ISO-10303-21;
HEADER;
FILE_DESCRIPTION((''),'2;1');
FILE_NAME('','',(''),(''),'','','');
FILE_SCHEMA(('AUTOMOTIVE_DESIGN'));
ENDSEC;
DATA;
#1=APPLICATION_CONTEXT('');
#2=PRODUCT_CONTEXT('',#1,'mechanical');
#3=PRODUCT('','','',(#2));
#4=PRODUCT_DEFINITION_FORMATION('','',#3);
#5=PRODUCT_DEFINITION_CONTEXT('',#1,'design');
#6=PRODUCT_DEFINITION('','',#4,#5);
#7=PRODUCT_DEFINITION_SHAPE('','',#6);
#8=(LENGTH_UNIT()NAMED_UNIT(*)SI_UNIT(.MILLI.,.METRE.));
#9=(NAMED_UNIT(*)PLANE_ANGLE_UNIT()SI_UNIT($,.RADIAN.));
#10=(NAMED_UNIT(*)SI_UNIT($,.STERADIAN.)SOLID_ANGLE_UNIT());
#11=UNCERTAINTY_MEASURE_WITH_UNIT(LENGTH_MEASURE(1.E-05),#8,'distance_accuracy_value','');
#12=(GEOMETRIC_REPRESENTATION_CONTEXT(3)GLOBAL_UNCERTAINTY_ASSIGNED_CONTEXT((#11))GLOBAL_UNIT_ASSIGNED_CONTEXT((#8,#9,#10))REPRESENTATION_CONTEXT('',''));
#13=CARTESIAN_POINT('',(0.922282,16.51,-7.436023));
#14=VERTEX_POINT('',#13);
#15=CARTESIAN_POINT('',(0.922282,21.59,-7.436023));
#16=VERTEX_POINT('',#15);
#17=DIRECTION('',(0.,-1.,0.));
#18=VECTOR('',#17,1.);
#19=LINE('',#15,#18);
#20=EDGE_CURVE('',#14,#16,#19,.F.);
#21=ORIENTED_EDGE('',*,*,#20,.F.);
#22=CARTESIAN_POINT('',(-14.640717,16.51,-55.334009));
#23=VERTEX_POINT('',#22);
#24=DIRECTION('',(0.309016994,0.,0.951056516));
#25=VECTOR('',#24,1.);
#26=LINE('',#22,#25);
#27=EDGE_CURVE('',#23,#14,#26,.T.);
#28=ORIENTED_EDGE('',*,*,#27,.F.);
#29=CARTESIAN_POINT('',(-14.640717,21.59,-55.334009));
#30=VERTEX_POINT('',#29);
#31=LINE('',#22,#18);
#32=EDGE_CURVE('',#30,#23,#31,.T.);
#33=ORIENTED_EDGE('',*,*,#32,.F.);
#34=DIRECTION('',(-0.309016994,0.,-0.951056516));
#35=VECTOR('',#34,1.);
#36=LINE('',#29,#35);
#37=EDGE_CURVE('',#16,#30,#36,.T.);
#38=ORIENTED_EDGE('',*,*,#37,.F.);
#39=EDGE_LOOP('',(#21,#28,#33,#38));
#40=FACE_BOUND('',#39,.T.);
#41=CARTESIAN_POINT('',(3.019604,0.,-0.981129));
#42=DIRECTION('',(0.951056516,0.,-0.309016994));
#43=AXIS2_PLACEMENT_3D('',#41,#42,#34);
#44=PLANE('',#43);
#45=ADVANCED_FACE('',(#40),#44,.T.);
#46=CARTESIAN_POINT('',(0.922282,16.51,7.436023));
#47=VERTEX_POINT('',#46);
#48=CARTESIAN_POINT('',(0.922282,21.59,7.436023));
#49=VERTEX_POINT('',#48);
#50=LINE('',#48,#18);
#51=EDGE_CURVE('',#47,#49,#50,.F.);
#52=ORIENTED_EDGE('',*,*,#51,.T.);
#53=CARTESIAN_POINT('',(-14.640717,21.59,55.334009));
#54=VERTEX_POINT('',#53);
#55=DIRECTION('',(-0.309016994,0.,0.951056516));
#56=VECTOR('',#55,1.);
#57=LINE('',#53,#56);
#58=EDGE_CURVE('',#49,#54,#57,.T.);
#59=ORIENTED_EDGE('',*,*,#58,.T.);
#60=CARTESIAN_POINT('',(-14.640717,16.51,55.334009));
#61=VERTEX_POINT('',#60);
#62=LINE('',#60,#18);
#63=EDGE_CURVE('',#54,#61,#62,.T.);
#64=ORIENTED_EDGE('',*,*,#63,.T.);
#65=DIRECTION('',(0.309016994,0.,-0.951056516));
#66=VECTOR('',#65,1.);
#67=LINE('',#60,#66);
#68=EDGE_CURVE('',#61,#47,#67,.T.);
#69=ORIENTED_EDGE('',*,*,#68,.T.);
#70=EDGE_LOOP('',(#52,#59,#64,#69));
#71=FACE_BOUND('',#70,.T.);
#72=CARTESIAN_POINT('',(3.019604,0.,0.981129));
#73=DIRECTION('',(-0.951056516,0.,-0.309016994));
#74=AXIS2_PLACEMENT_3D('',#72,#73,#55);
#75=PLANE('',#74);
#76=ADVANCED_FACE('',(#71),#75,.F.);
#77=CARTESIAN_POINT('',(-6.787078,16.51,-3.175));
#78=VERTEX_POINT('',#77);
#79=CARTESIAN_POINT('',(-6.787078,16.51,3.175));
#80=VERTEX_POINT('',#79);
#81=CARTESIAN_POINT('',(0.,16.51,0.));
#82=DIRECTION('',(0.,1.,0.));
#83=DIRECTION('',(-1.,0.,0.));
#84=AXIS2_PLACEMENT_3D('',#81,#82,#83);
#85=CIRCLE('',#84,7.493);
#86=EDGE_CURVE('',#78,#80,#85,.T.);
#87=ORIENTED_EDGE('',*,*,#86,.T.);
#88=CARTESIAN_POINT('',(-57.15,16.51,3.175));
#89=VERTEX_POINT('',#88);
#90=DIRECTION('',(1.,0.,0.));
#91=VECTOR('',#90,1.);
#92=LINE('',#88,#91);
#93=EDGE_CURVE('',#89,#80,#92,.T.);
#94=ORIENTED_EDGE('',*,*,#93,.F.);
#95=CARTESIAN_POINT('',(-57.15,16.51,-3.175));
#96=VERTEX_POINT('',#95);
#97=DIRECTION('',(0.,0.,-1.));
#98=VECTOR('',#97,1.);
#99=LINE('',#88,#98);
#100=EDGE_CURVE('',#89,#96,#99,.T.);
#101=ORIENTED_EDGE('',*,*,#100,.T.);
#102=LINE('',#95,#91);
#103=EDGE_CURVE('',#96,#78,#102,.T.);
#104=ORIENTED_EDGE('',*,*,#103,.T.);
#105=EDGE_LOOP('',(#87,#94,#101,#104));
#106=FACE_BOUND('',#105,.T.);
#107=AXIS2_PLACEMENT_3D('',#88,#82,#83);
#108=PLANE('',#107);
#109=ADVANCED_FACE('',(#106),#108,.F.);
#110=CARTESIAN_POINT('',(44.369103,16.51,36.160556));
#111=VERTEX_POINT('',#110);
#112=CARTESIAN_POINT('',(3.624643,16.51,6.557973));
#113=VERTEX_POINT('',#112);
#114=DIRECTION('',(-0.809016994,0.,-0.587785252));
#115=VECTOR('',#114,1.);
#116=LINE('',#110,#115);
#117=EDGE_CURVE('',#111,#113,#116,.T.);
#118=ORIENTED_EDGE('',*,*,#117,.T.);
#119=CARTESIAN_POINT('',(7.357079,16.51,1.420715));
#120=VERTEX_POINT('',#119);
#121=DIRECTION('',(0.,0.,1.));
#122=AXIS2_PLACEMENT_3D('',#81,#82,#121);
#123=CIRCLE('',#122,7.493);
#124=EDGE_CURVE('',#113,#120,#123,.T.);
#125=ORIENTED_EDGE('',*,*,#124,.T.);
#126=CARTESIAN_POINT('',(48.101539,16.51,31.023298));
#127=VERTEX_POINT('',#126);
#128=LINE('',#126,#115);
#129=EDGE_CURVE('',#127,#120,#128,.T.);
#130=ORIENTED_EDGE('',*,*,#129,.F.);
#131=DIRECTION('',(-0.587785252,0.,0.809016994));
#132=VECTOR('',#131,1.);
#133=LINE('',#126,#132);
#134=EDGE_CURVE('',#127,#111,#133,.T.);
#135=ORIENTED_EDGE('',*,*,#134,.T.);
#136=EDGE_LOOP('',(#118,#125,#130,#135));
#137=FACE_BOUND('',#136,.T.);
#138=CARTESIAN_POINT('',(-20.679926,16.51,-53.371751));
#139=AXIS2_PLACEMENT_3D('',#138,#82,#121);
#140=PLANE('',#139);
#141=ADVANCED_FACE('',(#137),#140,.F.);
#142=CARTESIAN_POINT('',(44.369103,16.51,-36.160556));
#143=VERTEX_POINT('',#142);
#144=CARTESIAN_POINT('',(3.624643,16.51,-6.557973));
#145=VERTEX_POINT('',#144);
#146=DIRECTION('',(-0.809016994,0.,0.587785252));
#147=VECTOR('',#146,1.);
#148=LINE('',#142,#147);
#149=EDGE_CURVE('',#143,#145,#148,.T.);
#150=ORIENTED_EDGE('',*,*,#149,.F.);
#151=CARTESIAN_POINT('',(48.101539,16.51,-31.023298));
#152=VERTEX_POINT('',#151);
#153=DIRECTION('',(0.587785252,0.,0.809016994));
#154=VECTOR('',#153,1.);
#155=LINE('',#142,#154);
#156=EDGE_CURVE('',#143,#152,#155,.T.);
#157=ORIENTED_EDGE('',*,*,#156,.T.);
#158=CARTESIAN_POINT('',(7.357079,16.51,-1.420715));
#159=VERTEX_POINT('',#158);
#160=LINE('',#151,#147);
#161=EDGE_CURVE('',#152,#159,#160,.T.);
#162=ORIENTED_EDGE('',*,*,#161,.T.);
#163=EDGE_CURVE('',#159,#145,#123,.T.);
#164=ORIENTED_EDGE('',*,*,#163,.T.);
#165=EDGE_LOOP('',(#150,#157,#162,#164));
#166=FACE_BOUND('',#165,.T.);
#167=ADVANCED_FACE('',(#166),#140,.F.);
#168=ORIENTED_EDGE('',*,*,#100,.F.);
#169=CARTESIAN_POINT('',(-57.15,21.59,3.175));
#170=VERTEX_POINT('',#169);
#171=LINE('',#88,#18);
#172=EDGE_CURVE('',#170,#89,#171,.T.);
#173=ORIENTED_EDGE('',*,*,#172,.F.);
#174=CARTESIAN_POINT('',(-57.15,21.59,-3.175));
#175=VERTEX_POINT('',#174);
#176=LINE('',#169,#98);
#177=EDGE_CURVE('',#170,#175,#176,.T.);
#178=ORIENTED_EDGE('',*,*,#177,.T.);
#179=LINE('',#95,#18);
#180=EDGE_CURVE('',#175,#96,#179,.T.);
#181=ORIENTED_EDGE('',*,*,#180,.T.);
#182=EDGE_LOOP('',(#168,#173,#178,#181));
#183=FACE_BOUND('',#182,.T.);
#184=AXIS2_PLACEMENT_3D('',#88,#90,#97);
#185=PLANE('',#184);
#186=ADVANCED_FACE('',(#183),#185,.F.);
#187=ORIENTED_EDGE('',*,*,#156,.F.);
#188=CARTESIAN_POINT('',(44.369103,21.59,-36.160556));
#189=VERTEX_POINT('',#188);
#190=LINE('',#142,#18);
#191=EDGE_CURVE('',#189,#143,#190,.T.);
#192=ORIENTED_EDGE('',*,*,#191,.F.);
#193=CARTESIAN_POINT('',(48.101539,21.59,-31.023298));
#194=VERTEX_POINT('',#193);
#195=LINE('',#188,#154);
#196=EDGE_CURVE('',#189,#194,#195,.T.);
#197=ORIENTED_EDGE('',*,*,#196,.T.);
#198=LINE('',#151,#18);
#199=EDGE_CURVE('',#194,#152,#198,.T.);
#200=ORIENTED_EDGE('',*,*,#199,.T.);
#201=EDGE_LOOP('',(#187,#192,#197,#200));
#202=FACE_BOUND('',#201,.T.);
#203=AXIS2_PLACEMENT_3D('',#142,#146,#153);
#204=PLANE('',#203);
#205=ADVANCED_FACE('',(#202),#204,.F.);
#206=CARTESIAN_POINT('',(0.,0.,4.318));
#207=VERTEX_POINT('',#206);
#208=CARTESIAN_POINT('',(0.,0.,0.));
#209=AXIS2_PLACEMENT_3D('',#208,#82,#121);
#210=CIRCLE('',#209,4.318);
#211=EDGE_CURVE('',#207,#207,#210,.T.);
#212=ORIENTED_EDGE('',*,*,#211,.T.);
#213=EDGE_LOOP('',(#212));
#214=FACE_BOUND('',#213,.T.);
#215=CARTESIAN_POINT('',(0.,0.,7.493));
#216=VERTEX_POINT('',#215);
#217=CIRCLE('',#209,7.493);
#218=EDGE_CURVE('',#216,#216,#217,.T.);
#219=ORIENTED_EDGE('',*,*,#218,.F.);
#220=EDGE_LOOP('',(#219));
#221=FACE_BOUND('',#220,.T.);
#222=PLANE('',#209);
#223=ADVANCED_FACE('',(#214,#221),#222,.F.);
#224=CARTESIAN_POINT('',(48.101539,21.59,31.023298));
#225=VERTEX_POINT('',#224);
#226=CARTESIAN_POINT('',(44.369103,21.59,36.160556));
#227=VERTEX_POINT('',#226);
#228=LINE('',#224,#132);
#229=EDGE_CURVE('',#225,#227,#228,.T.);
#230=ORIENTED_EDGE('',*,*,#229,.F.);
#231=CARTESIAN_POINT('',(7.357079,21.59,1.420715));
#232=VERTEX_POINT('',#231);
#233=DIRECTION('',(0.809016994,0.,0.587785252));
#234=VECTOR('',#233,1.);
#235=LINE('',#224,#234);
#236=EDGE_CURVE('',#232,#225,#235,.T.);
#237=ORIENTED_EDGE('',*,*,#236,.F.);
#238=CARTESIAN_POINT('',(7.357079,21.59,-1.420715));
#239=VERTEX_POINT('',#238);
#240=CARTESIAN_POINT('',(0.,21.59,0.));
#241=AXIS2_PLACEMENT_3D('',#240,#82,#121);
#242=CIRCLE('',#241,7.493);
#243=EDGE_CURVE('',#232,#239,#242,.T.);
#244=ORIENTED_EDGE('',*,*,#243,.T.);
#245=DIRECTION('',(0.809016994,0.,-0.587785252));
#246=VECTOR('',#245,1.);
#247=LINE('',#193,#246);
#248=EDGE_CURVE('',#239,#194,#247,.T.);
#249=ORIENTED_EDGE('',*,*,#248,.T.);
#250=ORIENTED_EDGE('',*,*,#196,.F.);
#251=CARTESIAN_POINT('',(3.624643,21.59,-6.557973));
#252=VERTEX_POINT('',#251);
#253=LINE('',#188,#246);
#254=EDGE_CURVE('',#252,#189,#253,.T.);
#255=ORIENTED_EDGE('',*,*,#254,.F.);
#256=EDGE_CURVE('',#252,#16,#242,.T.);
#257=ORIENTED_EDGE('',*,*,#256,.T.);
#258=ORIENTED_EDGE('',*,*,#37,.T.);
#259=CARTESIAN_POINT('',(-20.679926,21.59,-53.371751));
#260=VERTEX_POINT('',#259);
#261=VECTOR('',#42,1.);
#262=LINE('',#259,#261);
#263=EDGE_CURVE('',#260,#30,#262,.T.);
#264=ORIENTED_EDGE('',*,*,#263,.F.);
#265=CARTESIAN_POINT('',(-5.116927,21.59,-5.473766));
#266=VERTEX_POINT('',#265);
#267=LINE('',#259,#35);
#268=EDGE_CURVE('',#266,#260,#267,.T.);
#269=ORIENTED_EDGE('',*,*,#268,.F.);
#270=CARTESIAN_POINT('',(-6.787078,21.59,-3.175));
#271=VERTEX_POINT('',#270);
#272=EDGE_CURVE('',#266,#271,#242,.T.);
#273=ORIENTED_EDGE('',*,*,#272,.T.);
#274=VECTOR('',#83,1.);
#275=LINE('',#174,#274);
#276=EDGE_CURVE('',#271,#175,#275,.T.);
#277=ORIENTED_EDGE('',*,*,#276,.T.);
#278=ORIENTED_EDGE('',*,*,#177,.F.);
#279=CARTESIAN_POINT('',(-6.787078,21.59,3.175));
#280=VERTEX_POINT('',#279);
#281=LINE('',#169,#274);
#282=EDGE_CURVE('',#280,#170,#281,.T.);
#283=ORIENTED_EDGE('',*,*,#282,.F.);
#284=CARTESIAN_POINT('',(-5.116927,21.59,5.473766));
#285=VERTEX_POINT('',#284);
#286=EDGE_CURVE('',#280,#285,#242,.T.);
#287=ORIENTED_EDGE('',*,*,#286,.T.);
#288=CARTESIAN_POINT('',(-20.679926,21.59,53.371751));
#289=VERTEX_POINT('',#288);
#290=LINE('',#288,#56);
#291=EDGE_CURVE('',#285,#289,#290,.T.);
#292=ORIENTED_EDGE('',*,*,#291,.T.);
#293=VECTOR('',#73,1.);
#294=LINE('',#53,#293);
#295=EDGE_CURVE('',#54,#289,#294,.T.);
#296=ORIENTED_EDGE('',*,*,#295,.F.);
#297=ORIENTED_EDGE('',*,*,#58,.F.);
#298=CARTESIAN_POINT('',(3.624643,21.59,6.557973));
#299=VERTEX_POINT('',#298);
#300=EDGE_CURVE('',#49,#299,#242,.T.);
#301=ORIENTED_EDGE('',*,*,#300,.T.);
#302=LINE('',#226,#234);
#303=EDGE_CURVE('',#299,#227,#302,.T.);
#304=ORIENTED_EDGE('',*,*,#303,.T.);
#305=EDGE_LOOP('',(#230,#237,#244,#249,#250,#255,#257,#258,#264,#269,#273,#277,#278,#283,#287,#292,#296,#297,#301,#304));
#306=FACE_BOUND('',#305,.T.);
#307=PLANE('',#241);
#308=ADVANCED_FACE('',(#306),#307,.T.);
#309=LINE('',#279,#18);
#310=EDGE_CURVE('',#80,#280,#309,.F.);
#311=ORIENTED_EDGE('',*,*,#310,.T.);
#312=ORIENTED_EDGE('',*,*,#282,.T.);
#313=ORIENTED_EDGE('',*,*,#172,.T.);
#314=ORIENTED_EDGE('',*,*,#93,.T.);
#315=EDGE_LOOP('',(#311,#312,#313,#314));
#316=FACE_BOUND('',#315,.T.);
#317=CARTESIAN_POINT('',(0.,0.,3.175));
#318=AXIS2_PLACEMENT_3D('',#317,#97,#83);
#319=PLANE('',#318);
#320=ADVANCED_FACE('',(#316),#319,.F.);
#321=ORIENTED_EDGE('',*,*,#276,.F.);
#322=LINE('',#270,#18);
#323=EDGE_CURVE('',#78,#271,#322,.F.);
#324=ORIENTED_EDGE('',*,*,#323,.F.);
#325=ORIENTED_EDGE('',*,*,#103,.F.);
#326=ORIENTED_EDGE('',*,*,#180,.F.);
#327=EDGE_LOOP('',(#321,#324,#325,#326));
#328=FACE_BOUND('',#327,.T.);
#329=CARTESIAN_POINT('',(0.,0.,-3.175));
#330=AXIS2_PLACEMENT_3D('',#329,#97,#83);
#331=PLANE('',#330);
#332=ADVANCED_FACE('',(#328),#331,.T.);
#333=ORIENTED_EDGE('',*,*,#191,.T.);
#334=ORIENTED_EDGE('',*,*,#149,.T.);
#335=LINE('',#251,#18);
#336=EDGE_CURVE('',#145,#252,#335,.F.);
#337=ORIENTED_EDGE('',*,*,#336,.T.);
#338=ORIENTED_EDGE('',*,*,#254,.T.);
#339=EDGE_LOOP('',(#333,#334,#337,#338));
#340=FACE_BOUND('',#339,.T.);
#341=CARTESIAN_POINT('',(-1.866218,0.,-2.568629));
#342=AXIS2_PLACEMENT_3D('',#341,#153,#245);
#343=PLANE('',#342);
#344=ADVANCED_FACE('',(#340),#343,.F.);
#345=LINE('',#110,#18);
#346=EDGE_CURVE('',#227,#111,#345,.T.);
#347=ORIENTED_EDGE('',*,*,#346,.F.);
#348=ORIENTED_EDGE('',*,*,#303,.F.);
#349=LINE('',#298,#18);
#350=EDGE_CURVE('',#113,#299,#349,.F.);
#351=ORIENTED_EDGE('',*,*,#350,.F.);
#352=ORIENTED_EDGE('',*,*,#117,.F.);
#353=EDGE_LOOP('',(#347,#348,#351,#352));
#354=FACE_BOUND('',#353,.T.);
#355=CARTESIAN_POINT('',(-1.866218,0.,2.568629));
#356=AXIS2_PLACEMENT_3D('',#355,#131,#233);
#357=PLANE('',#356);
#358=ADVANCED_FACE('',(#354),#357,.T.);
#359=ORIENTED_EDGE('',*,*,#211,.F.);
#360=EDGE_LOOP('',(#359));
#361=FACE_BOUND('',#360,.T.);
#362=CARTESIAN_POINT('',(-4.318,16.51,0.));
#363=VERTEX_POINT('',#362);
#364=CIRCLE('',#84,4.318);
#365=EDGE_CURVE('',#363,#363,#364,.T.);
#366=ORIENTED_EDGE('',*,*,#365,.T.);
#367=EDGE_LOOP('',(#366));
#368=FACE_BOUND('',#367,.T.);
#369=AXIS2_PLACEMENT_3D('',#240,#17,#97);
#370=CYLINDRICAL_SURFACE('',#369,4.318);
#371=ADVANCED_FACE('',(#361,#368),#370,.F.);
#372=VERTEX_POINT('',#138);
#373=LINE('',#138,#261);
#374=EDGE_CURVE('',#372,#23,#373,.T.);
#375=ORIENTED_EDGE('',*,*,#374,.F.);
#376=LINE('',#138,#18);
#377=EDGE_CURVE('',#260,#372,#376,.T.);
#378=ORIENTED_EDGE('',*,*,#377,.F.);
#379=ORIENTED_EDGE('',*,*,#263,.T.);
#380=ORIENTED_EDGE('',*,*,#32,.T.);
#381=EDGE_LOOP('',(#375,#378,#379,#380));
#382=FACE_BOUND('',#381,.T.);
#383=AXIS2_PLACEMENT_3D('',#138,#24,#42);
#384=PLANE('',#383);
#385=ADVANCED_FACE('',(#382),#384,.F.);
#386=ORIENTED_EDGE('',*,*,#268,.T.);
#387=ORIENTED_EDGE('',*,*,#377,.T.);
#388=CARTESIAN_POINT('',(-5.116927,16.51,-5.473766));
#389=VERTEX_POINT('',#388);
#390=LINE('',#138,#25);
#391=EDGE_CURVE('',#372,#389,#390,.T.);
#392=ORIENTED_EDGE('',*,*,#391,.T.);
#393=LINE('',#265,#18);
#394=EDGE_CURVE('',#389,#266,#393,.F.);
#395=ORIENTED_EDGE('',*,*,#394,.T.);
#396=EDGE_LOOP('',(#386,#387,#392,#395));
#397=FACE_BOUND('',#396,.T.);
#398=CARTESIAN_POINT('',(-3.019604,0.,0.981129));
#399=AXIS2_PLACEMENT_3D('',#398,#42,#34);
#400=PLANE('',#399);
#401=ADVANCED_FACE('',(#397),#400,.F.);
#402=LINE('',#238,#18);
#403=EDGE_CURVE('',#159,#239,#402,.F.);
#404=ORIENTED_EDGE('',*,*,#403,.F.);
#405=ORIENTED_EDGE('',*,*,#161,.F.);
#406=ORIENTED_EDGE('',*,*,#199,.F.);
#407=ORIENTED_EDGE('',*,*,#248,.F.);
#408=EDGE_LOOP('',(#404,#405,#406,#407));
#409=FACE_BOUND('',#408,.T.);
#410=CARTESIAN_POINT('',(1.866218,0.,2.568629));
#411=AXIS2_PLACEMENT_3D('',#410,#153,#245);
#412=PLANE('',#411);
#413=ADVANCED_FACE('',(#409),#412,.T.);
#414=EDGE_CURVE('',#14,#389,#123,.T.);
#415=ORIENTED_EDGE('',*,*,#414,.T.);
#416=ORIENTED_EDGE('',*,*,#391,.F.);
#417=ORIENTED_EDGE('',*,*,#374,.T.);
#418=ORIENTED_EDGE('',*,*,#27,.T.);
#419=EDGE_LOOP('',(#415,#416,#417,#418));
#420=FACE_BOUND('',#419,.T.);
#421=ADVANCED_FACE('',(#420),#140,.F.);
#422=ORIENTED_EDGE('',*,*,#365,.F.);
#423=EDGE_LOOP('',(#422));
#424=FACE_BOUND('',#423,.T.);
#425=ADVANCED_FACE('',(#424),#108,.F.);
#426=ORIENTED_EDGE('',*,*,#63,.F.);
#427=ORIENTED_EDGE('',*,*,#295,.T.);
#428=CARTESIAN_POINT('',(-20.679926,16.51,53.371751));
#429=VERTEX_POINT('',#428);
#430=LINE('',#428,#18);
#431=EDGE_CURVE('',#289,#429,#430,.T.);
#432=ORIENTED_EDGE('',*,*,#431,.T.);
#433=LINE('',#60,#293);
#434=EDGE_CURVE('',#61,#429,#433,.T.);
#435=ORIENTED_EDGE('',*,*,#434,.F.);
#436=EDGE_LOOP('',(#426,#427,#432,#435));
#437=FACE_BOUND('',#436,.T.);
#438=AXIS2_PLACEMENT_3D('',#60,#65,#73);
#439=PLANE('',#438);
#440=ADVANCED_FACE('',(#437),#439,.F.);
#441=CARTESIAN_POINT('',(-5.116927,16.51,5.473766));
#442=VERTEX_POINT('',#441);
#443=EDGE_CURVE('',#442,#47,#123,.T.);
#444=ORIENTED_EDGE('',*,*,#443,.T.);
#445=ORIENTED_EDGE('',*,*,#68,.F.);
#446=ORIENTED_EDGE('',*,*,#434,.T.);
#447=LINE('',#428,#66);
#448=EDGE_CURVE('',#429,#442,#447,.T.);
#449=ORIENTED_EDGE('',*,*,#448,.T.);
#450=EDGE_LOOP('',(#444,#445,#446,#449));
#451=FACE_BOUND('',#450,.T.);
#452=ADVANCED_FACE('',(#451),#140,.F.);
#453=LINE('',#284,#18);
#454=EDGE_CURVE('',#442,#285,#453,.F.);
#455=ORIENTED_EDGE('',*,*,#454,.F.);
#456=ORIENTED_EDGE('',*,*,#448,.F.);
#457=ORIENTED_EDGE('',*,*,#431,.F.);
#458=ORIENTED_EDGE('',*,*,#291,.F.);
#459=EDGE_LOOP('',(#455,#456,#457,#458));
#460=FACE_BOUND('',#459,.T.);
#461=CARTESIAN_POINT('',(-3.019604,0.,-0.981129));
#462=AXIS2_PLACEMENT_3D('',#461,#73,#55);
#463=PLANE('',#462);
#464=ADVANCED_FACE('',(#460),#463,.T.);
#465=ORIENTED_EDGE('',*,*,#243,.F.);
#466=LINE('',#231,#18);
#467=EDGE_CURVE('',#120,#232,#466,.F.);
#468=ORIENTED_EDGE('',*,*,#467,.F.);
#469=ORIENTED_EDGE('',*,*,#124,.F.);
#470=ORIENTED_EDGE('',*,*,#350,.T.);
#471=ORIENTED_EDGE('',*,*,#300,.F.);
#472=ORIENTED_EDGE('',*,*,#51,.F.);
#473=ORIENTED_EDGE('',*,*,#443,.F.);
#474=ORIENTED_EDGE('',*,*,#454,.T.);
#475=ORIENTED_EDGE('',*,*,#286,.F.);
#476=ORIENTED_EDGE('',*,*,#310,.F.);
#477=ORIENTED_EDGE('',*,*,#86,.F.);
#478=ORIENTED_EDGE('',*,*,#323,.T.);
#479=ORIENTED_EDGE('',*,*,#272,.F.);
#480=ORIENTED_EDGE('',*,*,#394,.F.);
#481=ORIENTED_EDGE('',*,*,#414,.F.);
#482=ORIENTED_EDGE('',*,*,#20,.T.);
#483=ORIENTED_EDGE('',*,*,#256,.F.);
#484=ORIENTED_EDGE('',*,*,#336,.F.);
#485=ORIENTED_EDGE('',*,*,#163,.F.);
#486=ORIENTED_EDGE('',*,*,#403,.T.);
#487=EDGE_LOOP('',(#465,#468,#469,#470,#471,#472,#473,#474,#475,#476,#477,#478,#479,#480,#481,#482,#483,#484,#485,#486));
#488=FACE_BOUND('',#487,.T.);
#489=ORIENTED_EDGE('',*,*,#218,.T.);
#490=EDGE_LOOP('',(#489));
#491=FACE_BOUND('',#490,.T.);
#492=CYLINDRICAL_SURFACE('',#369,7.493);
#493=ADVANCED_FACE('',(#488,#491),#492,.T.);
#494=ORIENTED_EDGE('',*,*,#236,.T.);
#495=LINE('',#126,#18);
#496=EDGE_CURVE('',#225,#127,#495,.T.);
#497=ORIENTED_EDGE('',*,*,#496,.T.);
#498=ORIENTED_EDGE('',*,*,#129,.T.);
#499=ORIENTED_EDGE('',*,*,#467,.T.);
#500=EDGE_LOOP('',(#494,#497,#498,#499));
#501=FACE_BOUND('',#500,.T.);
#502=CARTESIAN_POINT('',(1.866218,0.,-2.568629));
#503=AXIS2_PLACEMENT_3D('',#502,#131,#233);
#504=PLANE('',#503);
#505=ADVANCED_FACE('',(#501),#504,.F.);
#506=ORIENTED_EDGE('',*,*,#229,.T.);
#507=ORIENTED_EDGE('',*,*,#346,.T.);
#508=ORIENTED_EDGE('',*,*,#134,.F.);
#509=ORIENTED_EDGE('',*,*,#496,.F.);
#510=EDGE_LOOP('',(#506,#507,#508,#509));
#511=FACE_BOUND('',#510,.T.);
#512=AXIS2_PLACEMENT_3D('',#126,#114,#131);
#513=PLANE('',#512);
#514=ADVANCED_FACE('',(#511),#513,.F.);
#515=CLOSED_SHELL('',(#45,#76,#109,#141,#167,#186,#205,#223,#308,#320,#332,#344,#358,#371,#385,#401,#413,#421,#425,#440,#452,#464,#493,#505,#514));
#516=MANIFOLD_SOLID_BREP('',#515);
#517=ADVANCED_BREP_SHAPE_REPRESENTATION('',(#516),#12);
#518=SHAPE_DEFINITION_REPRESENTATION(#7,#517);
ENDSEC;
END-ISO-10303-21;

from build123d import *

# Parameters (mm, degrees)
SKETCH1_R           = 7.493
SKETCH1_R_2         = 4.318
BOSS_EXTRUDE1_DEPTH = 21.59
SKETCH2_W           = 57.15
SKETCH2_H           = 5.08
BOSS_EXTRUDE2_DEPTH = 3.175
CIRPATTERN1_COUNT   = 5


with BuildPart() as part:
    # Sketch1 → Boss-Extrude1 (new body)
    with BuildSketch(Plane(origin=(0, 0, 0), x_dir=(1, 0, 0), z_dir=(0, 1, 0))):
        with Locations(Location((0, 0, 0), (0, 0, 270))):
            Circle(SKETCH1_R)
        with Locations(Location((0, 0, 0), (0, 0, 270))):
            Circle(SKETCH1_R_2, mode=Mode.SUBTRACT)
    extrude(amount=BOSS_EXTRUDE1_DEPTH)

    # Sketch2 → Boss-Extrude2 (add, symmetric)
    with BuildSketch(Plane.XY):
        with Locations((-28.575, 19.05)):
            Rectangle(SKETCH2_W, SKETCH2_H)
    boss_extrude2 = extrude(amount=BOSS_EXTRUDE2_DEPTH, both=True)

    # CirPattern1: Boss-Extrude2 ×5 about axis
    cirpattern1_axis = Axis((0, 0, 0), (0, 1, 0))
    for i in range(1, CIRPATTERN1_COUNT):
        add(boss_extrude2.rotate(cirpattern1_axis, i * 360 / CIRPATTERN1_COUNT))


solid = part.part
